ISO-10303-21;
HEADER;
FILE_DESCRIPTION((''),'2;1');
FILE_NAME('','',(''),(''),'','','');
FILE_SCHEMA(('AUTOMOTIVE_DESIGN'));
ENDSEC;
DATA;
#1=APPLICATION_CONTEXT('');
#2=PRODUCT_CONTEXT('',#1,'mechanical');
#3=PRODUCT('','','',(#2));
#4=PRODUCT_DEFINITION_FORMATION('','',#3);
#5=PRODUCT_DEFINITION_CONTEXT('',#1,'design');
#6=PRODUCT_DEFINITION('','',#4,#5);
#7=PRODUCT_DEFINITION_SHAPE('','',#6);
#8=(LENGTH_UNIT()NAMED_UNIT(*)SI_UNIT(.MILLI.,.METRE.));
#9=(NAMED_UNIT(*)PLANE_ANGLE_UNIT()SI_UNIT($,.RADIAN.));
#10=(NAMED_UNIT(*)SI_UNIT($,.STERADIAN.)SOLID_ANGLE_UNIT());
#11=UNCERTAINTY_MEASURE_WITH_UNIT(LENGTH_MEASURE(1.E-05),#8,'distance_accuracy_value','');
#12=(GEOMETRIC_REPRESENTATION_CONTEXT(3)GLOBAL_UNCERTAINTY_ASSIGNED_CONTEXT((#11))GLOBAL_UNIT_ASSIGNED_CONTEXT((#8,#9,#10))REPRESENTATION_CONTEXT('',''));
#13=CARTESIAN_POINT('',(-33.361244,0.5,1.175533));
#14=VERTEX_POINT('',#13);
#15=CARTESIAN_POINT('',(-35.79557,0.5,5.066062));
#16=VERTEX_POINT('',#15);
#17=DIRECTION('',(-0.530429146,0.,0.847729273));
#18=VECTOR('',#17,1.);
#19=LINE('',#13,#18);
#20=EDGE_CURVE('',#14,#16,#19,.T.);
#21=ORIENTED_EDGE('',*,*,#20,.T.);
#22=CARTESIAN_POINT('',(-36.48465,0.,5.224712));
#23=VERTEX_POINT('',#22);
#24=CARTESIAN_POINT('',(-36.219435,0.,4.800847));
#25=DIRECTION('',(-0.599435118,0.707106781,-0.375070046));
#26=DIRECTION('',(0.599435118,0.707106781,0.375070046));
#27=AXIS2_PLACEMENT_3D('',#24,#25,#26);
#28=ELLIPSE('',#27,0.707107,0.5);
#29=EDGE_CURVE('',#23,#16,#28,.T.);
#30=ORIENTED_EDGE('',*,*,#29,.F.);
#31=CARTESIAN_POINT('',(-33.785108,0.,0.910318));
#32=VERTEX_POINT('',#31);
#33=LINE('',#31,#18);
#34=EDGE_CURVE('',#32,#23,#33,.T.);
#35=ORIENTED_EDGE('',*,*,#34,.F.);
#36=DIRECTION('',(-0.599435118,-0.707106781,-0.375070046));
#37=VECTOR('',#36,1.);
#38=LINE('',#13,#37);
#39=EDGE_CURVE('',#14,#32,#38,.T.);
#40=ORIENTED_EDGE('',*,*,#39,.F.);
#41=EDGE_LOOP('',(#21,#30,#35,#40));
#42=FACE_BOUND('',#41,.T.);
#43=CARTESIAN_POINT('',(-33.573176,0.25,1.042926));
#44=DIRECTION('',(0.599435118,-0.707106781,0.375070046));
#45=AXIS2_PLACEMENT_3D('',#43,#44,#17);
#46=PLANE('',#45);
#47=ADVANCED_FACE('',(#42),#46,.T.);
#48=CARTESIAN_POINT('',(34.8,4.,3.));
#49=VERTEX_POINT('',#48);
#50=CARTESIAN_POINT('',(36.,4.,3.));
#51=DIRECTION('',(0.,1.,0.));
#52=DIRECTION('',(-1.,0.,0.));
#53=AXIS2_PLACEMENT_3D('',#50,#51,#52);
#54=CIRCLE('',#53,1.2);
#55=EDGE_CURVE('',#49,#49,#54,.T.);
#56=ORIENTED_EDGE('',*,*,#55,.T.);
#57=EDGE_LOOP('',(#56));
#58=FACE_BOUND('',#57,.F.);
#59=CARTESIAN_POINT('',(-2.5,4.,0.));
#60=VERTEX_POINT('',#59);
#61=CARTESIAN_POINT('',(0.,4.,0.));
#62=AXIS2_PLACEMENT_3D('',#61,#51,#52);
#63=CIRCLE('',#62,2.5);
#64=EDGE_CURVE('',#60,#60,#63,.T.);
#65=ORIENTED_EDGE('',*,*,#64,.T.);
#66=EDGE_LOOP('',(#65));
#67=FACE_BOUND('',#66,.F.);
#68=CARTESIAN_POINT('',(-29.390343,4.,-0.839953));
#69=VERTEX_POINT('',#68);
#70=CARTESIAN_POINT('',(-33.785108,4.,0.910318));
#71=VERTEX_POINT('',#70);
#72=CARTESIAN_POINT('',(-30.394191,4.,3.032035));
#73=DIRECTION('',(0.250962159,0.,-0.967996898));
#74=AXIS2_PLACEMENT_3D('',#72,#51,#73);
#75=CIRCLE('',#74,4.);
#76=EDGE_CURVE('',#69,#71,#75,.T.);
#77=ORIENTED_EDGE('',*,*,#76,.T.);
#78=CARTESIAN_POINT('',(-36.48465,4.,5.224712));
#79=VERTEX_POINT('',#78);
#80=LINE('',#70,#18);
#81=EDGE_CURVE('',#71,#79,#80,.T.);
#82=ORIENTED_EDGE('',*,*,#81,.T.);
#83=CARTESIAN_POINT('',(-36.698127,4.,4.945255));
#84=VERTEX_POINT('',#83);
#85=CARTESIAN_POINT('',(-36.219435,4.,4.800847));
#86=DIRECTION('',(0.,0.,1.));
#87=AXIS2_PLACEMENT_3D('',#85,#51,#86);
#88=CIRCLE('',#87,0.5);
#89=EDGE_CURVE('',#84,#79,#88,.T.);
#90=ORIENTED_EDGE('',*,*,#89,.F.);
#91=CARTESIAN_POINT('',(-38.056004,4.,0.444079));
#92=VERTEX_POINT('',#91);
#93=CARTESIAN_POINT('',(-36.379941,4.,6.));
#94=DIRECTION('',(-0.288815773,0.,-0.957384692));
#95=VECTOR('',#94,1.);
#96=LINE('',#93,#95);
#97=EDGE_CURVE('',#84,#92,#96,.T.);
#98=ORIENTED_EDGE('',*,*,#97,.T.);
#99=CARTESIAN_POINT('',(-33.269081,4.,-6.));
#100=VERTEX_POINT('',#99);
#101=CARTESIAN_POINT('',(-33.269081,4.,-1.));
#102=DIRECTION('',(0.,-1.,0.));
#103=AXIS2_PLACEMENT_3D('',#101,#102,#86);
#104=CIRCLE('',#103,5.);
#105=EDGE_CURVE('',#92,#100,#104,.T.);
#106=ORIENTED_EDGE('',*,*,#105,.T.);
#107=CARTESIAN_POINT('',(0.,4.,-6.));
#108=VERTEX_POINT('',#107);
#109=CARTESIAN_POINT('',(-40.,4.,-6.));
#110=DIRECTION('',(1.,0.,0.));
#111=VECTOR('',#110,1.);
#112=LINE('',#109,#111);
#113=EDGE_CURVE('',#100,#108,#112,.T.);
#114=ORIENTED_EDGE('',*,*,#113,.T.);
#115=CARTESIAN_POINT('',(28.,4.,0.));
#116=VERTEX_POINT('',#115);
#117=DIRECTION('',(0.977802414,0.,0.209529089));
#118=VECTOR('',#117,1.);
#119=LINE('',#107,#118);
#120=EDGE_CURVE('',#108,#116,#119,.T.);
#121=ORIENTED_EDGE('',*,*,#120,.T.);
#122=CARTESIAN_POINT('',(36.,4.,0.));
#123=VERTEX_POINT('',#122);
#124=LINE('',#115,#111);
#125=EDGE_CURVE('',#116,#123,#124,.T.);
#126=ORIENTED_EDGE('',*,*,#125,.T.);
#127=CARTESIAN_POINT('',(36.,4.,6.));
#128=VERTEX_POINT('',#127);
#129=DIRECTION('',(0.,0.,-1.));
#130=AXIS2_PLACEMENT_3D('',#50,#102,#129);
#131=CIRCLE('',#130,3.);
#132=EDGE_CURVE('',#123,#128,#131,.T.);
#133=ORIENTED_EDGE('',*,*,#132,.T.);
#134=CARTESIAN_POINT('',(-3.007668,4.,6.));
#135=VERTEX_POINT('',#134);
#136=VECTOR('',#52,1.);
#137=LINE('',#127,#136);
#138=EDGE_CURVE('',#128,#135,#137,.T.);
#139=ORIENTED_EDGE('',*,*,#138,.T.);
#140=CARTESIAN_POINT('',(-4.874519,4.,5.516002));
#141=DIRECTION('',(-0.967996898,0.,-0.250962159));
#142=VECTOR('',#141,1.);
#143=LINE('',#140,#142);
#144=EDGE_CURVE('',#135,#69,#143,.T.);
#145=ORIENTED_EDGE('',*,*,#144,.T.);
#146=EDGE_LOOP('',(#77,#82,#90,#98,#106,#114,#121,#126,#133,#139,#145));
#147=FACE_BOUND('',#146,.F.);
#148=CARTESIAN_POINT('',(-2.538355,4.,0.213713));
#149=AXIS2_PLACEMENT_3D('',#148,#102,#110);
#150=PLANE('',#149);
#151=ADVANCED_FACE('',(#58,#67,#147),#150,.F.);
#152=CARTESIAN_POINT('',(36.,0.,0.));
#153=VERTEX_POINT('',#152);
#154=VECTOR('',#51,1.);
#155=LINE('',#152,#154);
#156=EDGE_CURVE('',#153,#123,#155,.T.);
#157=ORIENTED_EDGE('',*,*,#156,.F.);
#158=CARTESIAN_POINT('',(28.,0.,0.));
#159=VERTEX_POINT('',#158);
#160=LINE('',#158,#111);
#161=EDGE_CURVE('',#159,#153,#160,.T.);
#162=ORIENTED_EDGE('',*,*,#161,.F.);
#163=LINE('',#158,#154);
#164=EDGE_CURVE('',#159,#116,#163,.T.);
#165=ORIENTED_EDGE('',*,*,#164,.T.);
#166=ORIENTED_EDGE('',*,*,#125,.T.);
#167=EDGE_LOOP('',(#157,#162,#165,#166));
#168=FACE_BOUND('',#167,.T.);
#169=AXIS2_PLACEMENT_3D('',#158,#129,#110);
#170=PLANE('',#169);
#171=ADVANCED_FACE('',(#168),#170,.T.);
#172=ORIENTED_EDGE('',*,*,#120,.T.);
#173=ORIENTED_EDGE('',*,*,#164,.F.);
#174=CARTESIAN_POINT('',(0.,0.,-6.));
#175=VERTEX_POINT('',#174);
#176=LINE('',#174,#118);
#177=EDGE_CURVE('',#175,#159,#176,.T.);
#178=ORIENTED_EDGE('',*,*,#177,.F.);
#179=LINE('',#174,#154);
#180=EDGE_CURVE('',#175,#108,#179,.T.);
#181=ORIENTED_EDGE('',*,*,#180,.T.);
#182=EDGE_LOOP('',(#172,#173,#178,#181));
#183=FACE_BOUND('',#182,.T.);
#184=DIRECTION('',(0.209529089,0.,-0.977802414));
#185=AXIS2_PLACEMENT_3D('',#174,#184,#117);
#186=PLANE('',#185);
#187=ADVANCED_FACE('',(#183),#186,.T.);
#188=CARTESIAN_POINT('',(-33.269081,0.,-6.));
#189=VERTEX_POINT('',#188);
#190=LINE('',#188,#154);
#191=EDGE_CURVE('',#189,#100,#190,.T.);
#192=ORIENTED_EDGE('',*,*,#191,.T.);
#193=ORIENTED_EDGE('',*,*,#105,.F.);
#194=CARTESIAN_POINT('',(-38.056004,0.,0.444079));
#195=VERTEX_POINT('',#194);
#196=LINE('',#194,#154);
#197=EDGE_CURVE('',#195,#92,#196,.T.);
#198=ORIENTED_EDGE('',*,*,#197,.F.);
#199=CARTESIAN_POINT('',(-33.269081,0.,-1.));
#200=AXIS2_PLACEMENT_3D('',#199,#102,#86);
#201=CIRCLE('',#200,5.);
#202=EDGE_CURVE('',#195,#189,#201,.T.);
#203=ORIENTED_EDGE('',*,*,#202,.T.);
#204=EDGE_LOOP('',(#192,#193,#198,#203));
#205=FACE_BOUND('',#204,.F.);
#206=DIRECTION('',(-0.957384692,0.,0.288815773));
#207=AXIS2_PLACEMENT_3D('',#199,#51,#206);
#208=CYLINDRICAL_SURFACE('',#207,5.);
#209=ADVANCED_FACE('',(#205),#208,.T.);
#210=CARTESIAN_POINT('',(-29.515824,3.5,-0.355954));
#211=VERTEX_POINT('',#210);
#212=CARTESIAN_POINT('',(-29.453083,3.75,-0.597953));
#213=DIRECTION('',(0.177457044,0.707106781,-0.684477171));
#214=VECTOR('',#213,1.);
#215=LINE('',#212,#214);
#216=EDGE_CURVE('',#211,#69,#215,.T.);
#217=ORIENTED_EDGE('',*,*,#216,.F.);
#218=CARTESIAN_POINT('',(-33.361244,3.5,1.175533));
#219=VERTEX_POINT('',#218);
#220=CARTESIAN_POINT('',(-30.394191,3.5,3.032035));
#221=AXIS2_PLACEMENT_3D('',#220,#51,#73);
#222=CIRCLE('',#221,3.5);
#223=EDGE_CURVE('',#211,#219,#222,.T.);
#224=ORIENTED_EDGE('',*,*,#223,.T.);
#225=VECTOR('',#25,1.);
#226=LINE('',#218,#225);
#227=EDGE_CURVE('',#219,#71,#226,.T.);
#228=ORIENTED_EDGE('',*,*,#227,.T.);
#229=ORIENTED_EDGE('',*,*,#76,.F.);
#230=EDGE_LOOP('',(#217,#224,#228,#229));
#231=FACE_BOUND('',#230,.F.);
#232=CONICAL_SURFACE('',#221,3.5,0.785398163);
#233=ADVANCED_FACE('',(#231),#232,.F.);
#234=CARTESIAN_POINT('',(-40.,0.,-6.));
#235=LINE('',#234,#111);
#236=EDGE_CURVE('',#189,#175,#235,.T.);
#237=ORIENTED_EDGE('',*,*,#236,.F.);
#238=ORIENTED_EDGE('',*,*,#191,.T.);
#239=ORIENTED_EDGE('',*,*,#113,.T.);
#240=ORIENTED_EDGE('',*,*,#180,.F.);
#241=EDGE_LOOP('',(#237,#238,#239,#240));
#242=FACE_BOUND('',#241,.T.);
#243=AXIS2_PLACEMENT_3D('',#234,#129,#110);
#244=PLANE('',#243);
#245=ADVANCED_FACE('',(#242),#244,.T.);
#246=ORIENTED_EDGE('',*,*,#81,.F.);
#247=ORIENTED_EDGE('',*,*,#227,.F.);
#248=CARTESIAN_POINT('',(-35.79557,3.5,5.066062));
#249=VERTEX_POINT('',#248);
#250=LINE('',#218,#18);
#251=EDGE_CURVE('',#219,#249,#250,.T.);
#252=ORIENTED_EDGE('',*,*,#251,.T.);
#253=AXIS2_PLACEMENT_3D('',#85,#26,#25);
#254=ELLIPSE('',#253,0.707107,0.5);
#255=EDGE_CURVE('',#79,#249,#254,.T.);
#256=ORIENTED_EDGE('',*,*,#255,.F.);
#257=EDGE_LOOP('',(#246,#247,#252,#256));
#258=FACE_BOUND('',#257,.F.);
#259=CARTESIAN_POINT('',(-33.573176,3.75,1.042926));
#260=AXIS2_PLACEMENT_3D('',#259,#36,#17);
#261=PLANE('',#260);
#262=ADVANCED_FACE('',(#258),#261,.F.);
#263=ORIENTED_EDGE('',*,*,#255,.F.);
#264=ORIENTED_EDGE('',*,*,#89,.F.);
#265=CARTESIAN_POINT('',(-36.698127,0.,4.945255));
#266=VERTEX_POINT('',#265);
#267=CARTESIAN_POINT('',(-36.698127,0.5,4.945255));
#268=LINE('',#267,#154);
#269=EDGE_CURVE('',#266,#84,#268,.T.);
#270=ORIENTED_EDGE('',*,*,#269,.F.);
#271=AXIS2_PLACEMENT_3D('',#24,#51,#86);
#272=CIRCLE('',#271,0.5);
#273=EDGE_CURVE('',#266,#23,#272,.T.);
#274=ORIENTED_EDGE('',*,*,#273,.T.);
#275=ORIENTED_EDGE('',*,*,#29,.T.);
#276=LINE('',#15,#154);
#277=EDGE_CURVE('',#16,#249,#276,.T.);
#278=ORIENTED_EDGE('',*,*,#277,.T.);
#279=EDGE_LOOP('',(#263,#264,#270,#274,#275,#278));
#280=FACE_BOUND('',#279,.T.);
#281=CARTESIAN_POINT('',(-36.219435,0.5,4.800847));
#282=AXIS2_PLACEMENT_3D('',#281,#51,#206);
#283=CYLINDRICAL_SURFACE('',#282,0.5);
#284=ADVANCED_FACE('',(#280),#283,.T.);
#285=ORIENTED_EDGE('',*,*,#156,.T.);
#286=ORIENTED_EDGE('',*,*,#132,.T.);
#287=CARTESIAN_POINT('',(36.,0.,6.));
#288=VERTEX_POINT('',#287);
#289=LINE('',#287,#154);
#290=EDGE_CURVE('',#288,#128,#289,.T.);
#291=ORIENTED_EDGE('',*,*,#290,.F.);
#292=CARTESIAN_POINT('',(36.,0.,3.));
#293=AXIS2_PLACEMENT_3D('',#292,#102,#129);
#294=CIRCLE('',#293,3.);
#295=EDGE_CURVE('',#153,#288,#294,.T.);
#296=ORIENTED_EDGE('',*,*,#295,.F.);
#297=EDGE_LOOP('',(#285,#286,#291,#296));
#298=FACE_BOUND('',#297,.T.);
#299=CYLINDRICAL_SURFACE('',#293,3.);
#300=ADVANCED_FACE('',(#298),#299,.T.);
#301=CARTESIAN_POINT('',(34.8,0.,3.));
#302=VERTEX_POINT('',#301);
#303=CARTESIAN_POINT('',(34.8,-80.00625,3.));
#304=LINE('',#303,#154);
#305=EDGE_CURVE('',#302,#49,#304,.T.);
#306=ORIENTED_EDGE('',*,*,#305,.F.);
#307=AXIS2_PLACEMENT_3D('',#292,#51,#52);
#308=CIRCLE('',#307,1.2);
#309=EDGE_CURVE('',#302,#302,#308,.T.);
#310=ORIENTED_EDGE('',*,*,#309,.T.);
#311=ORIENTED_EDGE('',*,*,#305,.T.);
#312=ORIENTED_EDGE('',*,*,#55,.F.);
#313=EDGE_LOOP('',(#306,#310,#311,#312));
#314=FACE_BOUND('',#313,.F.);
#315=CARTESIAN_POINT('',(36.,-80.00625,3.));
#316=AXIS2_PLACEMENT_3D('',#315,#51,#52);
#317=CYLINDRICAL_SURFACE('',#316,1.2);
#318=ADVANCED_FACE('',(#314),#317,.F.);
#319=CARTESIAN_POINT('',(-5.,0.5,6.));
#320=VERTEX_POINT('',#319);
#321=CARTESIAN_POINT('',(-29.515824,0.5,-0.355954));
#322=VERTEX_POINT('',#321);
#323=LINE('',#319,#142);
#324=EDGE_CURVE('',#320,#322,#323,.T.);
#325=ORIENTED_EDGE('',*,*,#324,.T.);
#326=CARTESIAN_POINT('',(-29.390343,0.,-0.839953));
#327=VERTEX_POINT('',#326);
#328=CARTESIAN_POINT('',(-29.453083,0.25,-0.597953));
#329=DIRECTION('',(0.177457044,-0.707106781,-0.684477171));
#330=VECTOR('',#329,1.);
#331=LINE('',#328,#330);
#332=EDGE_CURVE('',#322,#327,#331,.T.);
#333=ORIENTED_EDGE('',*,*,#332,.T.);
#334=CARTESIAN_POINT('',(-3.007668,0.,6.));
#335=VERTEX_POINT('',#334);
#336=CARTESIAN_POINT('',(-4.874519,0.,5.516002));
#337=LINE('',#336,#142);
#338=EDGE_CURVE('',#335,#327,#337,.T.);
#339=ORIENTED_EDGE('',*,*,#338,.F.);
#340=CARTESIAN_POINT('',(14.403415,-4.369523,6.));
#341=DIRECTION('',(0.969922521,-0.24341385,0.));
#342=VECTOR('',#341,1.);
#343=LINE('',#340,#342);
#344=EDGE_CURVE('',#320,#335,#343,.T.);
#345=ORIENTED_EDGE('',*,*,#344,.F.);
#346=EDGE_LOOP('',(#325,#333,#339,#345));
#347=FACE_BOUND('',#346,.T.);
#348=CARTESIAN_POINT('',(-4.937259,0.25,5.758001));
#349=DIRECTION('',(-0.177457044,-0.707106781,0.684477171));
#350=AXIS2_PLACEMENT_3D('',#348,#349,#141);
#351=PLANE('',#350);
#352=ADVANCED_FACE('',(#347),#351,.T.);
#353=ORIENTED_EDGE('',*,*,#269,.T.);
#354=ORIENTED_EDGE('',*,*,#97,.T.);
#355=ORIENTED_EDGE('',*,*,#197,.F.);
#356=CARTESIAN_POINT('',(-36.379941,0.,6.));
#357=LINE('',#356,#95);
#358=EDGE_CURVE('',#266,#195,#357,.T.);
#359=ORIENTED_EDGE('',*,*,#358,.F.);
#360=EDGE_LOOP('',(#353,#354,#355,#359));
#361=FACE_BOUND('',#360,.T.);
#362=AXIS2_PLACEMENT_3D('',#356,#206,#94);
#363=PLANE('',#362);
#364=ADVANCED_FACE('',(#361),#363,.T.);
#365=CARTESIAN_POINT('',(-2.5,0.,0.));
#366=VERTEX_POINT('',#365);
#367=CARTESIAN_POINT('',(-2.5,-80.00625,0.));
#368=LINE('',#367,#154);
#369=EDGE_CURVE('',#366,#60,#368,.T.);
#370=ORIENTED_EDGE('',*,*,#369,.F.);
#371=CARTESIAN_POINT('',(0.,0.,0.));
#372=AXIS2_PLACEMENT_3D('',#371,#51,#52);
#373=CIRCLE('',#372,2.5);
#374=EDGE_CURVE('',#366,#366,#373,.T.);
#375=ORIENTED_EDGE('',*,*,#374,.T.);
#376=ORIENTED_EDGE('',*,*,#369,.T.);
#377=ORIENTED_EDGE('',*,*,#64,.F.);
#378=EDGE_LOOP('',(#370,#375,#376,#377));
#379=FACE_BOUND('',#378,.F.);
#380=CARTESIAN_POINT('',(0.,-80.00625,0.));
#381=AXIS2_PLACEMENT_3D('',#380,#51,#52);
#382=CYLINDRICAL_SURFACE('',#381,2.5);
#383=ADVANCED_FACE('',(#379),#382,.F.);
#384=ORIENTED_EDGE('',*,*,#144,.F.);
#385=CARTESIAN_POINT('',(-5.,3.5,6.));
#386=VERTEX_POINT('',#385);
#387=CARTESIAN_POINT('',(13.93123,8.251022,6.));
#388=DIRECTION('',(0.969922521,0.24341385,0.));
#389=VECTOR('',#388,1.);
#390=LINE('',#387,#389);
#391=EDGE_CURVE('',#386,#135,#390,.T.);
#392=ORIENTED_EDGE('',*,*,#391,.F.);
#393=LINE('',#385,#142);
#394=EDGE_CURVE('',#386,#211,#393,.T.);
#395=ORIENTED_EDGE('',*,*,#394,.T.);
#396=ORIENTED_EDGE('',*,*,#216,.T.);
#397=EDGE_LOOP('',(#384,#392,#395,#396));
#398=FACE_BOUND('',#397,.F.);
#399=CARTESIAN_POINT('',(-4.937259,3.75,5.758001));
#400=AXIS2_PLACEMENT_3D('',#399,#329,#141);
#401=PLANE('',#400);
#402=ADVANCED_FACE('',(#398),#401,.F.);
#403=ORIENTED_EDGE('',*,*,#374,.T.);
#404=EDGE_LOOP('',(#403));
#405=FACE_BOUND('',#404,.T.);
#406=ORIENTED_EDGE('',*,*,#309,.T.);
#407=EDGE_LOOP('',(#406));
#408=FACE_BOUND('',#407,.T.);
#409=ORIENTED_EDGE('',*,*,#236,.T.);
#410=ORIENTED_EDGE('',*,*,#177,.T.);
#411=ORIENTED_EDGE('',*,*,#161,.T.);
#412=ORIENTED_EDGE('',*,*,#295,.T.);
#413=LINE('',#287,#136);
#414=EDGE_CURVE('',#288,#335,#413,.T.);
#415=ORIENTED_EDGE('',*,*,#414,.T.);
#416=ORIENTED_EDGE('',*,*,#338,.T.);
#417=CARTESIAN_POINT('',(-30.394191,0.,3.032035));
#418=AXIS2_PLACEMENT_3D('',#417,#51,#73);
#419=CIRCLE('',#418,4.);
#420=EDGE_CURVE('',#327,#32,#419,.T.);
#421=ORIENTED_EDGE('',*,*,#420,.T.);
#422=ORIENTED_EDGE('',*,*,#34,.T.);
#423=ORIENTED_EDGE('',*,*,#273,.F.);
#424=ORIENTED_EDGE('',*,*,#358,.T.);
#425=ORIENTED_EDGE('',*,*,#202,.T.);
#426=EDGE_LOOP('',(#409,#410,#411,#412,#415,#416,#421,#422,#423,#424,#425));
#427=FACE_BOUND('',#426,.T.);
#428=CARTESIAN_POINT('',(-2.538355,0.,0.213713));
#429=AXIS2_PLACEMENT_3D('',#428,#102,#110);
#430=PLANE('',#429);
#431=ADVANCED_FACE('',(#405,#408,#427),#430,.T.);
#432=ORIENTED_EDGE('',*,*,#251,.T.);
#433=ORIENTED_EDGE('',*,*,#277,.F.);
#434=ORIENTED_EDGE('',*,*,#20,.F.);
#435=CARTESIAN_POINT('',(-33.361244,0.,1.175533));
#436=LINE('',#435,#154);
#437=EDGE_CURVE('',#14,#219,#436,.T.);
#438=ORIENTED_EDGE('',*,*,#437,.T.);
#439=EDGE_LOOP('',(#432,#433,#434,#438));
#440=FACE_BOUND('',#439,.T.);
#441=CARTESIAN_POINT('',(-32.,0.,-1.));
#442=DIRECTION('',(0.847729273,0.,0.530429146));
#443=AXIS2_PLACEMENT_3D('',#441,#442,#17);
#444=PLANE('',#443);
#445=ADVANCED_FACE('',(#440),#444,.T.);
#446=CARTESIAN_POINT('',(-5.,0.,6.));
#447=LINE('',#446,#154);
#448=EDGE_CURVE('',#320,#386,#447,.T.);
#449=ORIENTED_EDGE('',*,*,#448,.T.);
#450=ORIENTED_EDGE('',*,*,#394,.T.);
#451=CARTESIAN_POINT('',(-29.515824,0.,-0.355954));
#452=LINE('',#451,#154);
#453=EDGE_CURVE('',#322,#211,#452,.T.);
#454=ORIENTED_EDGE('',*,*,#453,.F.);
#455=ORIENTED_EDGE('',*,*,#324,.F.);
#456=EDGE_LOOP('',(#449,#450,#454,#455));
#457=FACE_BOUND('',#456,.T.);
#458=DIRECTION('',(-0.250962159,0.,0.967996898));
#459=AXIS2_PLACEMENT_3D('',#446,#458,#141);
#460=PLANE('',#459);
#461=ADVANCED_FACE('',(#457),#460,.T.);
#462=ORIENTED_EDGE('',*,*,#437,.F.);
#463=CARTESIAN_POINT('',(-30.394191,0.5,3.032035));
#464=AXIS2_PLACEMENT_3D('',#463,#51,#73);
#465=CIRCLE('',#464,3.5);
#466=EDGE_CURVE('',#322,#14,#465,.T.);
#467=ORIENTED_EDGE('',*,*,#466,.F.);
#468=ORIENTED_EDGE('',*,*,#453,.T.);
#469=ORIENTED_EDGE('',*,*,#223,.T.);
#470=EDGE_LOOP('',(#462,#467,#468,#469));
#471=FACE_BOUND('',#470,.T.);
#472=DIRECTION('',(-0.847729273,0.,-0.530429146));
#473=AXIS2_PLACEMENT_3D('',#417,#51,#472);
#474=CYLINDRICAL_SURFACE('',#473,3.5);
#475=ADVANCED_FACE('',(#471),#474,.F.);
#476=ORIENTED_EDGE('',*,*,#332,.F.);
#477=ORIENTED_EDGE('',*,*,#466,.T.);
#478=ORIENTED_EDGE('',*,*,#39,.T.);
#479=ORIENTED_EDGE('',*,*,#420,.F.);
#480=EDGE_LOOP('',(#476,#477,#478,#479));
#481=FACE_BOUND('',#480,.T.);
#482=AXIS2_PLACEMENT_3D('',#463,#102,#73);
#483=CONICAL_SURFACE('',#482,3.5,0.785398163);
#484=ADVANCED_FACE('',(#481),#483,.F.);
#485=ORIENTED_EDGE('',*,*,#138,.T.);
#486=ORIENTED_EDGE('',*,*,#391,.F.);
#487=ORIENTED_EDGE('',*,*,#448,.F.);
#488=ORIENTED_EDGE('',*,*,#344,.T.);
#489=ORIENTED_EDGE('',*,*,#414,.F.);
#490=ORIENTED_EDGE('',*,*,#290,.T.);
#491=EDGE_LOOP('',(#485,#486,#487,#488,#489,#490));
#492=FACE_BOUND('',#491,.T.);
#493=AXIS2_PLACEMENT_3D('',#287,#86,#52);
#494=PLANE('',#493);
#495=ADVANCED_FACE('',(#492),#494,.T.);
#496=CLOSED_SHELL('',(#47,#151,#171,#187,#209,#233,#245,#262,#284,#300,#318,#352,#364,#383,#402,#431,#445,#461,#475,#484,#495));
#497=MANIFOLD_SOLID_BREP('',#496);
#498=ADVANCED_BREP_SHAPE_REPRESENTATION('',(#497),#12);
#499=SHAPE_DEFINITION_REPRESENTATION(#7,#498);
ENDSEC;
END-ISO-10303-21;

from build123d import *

# Parameters (mm, degrees)
F1_DEPTH = 4
F2_D     = 5
F3_R     = 3.5
F4_D     = 2.4
F5_SIZE  = 0.5
F6_R     = 5
F7_R     = 0.5


with BuildPart() as f1:
    # F0 (on Front) → F1 (new body)
    with BuildSketch(Plane.XZ):
        with BuildLine():
            Line((-36.3799407881, 6), (-40, -6))
            Line((-40, -6), (0, -6))
            Line((0, -6), (28, 0))
            Line((28, 0), (36, 0))
            ThreePointArc((36, 0), (39, 3), (36, 6))
            Line((36, 6), (-5, 6))
            Line((-5, 6), (-32, -1))
            Line((-32, -1), (-36.3799407881, 6))
        make_face()
    extrude(amount=-F1_DEPTH)

    # F2 (through all)
    with Locations(Plane.XZ):
        with Locations((0, 0)):
            Hole(F2_D / 2)

    # F3
    f3_edges = [f1.edges().sort_by_distance(p)[0] for p in [
        (-32, 2, -1),
    ]]
    fillet(f3_edges, radius=F3_R)

    # F4 (through all)
    with Locations(Plane.XZ):
        with Locations((36, 3)):
            Hole(F4_D / 2)

    # F5
    f5_edges = [f1.edges().sort_by_distance(p)[0] for p in [
        (-34.870592, 0, 3.587766),
        (-34.870592, 4, 3.587766),
    ]]
    chamfer(f5_edges, length=F5_SIZE)

    # F6
    f6_edges = [f1.edges().sort_by_distance(p)[0] for p in [
        (-40, 2, -6),
    ]]
    fillet(f6_edges, radius=F6_R)

    # F7
    f7_edges = [f1.edges().sort_by_distance(p)[0] for p in [
        (-36.379941, 2, 6),
    ]]
    fillet(f7_edges, radius=F7_R)


solid = f1.part
